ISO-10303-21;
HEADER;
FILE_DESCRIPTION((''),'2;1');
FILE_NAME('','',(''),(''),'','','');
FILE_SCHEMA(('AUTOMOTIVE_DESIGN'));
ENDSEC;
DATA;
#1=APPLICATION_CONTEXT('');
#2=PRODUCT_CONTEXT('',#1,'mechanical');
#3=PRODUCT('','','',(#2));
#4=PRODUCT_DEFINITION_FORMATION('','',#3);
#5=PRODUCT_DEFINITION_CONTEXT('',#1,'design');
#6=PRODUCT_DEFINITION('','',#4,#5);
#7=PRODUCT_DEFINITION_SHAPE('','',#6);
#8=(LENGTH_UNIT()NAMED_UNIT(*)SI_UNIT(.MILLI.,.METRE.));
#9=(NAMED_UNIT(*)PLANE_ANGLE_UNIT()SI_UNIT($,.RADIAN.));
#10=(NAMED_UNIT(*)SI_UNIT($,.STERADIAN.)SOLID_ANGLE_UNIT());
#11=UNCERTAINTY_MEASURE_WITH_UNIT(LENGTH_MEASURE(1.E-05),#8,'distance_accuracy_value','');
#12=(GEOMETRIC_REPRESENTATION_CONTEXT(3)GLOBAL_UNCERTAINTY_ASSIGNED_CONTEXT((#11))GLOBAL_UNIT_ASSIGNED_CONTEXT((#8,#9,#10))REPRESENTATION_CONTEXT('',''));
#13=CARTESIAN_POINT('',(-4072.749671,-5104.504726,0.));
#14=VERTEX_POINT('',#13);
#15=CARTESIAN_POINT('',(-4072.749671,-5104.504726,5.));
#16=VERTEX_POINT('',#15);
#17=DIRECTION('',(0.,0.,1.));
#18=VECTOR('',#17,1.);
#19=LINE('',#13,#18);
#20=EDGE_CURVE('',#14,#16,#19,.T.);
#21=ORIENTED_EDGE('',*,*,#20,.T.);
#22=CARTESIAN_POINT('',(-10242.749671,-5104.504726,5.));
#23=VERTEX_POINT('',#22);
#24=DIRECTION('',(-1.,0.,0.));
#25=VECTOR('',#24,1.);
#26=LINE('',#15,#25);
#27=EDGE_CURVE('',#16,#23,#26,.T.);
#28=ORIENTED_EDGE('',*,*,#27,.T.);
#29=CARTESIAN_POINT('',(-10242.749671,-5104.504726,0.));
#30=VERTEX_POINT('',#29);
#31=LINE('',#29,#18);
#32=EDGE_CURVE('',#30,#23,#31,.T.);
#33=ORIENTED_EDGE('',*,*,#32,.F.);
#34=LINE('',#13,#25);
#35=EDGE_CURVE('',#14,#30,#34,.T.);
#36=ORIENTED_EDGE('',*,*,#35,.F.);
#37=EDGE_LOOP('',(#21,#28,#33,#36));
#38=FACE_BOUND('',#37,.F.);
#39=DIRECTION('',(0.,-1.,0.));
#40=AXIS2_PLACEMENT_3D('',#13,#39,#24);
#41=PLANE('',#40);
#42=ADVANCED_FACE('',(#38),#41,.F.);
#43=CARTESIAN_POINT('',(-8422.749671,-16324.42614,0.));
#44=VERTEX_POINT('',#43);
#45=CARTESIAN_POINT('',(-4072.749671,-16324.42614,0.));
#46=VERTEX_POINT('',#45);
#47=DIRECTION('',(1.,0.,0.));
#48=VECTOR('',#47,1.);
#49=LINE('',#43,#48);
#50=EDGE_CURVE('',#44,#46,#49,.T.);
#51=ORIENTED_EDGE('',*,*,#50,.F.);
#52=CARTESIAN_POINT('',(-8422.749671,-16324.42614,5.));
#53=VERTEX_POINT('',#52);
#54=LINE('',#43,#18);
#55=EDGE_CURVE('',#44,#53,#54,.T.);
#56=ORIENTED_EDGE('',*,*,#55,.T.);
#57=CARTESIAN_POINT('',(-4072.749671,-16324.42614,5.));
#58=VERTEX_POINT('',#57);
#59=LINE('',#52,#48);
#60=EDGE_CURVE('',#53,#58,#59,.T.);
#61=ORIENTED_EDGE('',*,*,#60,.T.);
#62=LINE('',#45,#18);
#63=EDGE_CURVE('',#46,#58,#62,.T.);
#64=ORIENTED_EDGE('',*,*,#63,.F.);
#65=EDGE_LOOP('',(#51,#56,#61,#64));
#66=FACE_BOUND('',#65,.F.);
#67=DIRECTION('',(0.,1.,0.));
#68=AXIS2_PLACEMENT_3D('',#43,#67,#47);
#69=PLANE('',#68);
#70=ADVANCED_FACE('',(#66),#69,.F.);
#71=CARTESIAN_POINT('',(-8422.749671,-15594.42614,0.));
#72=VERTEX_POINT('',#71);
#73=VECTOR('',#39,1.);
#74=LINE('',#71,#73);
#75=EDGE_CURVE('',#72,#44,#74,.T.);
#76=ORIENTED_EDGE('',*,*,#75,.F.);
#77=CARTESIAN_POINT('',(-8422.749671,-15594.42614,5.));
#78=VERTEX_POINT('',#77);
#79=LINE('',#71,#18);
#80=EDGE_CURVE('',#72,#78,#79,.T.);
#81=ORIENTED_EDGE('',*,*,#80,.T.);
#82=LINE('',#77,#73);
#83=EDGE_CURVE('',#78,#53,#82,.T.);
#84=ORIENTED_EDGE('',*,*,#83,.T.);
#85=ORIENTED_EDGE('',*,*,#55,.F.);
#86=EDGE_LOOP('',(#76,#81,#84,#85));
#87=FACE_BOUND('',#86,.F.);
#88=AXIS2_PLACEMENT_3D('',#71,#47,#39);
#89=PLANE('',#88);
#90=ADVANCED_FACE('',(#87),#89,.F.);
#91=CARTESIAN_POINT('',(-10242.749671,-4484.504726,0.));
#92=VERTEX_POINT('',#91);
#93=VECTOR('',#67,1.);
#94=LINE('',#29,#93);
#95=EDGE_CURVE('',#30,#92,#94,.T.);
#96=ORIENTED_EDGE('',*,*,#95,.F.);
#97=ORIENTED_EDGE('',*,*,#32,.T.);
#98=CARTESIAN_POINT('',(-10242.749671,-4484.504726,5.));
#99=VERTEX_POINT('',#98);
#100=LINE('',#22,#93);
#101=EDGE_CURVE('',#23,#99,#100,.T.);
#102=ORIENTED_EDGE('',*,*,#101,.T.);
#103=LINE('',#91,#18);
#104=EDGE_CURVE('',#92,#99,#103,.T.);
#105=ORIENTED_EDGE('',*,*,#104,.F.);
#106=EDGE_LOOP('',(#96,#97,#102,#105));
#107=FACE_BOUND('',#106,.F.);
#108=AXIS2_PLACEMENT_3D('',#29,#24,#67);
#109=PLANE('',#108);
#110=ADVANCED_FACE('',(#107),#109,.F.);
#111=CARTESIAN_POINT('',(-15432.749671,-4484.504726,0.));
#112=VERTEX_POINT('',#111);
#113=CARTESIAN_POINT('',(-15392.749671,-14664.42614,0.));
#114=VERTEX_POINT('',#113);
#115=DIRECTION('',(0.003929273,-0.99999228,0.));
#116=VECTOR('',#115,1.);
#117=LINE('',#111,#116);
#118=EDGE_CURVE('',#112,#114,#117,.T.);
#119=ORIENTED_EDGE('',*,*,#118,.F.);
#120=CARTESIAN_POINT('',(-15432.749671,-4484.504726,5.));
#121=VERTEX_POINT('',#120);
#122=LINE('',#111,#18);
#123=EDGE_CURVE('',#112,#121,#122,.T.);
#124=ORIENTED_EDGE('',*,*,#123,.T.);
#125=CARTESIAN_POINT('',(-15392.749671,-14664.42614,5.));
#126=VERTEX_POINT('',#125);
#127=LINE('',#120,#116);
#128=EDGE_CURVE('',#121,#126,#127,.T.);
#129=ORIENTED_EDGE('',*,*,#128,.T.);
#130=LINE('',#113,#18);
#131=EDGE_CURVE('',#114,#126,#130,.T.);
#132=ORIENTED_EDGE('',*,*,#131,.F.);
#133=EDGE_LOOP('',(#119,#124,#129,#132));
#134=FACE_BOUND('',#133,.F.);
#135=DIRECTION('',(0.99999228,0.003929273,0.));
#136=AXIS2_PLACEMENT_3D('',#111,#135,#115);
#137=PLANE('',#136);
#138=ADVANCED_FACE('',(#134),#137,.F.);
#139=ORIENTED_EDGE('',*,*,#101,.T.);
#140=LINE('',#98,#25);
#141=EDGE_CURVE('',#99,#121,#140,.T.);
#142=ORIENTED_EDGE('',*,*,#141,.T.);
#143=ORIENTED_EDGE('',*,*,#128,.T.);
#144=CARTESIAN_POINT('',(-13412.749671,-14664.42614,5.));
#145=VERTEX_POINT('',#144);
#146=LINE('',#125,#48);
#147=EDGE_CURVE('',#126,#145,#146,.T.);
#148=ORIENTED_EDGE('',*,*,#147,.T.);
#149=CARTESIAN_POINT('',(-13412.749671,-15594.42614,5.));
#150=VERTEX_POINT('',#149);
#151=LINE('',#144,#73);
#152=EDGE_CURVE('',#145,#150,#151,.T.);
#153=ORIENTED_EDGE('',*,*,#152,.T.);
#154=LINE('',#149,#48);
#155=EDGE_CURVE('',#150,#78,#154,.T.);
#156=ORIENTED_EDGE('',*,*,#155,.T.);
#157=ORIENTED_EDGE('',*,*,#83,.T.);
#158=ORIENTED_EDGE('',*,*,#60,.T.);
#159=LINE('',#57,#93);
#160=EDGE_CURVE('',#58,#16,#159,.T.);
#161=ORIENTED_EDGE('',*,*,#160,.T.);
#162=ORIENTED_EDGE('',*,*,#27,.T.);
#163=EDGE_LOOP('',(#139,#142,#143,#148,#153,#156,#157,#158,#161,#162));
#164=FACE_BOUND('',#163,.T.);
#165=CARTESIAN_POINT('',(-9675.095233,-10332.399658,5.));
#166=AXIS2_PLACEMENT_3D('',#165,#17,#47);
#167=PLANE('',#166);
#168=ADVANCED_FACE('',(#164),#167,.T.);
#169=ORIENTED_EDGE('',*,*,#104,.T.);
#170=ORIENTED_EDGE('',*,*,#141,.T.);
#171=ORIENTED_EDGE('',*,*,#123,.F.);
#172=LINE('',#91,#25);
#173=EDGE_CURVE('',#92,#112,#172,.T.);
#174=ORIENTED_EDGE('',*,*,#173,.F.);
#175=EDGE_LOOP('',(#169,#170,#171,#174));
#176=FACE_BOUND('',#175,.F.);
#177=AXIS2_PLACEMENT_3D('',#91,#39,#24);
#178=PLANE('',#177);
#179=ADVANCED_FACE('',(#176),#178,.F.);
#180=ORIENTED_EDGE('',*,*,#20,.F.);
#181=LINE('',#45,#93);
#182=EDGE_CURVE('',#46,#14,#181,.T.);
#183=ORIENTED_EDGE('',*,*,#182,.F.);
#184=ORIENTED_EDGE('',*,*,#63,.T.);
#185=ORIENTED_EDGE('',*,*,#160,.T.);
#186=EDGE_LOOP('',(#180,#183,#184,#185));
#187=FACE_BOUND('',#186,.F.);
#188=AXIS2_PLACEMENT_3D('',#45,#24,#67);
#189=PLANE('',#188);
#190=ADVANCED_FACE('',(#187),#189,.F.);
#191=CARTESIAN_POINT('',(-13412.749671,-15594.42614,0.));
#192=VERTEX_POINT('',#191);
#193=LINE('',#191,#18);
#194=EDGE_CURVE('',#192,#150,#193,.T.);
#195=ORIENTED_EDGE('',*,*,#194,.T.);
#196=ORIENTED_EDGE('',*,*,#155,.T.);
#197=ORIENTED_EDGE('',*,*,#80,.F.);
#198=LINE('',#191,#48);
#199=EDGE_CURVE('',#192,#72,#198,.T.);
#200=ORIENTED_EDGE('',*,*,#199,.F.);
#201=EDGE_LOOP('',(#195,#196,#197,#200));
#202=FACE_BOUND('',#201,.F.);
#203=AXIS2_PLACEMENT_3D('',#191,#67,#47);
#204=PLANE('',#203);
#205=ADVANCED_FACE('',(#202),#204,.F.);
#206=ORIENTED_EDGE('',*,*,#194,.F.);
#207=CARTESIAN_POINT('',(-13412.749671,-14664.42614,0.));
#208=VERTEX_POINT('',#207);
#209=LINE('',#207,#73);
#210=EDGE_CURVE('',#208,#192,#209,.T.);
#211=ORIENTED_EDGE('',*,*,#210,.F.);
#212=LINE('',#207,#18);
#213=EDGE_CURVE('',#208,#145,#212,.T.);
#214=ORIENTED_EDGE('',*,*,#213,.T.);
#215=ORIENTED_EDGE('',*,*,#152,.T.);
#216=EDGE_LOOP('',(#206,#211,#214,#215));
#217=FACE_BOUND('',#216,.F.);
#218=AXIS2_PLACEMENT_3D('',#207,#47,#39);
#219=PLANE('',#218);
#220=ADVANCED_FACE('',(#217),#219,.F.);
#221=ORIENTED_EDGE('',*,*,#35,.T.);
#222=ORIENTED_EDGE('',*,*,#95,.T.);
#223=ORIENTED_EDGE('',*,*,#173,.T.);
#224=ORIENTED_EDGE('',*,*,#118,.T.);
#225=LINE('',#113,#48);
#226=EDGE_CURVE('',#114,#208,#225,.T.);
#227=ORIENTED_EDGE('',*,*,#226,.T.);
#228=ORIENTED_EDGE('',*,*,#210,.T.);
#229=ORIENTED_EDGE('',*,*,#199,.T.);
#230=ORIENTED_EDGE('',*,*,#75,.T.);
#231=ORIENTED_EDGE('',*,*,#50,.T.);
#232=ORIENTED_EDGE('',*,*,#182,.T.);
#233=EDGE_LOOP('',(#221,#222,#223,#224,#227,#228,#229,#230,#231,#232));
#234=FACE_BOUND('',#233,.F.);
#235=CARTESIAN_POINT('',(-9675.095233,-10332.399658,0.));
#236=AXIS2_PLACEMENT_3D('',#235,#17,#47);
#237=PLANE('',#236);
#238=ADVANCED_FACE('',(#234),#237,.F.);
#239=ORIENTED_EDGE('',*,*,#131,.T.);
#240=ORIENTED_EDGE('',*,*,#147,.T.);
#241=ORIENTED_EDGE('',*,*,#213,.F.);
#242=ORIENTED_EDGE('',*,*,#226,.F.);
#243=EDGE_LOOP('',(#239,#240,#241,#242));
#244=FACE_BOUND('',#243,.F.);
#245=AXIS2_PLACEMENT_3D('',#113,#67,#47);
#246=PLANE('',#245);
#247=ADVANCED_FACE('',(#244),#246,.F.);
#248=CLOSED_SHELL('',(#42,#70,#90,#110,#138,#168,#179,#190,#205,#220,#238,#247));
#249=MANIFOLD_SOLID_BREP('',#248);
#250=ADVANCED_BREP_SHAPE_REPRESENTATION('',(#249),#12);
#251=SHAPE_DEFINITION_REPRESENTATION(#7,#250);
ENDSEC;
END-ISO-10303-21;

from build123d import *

# Parameters (mm, degrees)
F2_DEPTH = 5


with BuildPart() as f2:
    # F1 (on face) → F2 (new body)
    with BuildSketch(Plane.XY):
        Polygon((-15432.749671, -4484.504726), (-15392.749671, -14664.42614), (-13412.749671, -14664.42614), (-13412.749671, -15594.42614), (-8422.749671, -15594.42614), (-8422.749671, -16324.42614), (-4072.749671, -16324.42614), (-4072.749671, -5104.504726), (-10242.749671, -5104.504726), (-10242.749671, -4484.504726), align=None)
    extrude(amount=F2_DEPTH)


solid = f2.part
